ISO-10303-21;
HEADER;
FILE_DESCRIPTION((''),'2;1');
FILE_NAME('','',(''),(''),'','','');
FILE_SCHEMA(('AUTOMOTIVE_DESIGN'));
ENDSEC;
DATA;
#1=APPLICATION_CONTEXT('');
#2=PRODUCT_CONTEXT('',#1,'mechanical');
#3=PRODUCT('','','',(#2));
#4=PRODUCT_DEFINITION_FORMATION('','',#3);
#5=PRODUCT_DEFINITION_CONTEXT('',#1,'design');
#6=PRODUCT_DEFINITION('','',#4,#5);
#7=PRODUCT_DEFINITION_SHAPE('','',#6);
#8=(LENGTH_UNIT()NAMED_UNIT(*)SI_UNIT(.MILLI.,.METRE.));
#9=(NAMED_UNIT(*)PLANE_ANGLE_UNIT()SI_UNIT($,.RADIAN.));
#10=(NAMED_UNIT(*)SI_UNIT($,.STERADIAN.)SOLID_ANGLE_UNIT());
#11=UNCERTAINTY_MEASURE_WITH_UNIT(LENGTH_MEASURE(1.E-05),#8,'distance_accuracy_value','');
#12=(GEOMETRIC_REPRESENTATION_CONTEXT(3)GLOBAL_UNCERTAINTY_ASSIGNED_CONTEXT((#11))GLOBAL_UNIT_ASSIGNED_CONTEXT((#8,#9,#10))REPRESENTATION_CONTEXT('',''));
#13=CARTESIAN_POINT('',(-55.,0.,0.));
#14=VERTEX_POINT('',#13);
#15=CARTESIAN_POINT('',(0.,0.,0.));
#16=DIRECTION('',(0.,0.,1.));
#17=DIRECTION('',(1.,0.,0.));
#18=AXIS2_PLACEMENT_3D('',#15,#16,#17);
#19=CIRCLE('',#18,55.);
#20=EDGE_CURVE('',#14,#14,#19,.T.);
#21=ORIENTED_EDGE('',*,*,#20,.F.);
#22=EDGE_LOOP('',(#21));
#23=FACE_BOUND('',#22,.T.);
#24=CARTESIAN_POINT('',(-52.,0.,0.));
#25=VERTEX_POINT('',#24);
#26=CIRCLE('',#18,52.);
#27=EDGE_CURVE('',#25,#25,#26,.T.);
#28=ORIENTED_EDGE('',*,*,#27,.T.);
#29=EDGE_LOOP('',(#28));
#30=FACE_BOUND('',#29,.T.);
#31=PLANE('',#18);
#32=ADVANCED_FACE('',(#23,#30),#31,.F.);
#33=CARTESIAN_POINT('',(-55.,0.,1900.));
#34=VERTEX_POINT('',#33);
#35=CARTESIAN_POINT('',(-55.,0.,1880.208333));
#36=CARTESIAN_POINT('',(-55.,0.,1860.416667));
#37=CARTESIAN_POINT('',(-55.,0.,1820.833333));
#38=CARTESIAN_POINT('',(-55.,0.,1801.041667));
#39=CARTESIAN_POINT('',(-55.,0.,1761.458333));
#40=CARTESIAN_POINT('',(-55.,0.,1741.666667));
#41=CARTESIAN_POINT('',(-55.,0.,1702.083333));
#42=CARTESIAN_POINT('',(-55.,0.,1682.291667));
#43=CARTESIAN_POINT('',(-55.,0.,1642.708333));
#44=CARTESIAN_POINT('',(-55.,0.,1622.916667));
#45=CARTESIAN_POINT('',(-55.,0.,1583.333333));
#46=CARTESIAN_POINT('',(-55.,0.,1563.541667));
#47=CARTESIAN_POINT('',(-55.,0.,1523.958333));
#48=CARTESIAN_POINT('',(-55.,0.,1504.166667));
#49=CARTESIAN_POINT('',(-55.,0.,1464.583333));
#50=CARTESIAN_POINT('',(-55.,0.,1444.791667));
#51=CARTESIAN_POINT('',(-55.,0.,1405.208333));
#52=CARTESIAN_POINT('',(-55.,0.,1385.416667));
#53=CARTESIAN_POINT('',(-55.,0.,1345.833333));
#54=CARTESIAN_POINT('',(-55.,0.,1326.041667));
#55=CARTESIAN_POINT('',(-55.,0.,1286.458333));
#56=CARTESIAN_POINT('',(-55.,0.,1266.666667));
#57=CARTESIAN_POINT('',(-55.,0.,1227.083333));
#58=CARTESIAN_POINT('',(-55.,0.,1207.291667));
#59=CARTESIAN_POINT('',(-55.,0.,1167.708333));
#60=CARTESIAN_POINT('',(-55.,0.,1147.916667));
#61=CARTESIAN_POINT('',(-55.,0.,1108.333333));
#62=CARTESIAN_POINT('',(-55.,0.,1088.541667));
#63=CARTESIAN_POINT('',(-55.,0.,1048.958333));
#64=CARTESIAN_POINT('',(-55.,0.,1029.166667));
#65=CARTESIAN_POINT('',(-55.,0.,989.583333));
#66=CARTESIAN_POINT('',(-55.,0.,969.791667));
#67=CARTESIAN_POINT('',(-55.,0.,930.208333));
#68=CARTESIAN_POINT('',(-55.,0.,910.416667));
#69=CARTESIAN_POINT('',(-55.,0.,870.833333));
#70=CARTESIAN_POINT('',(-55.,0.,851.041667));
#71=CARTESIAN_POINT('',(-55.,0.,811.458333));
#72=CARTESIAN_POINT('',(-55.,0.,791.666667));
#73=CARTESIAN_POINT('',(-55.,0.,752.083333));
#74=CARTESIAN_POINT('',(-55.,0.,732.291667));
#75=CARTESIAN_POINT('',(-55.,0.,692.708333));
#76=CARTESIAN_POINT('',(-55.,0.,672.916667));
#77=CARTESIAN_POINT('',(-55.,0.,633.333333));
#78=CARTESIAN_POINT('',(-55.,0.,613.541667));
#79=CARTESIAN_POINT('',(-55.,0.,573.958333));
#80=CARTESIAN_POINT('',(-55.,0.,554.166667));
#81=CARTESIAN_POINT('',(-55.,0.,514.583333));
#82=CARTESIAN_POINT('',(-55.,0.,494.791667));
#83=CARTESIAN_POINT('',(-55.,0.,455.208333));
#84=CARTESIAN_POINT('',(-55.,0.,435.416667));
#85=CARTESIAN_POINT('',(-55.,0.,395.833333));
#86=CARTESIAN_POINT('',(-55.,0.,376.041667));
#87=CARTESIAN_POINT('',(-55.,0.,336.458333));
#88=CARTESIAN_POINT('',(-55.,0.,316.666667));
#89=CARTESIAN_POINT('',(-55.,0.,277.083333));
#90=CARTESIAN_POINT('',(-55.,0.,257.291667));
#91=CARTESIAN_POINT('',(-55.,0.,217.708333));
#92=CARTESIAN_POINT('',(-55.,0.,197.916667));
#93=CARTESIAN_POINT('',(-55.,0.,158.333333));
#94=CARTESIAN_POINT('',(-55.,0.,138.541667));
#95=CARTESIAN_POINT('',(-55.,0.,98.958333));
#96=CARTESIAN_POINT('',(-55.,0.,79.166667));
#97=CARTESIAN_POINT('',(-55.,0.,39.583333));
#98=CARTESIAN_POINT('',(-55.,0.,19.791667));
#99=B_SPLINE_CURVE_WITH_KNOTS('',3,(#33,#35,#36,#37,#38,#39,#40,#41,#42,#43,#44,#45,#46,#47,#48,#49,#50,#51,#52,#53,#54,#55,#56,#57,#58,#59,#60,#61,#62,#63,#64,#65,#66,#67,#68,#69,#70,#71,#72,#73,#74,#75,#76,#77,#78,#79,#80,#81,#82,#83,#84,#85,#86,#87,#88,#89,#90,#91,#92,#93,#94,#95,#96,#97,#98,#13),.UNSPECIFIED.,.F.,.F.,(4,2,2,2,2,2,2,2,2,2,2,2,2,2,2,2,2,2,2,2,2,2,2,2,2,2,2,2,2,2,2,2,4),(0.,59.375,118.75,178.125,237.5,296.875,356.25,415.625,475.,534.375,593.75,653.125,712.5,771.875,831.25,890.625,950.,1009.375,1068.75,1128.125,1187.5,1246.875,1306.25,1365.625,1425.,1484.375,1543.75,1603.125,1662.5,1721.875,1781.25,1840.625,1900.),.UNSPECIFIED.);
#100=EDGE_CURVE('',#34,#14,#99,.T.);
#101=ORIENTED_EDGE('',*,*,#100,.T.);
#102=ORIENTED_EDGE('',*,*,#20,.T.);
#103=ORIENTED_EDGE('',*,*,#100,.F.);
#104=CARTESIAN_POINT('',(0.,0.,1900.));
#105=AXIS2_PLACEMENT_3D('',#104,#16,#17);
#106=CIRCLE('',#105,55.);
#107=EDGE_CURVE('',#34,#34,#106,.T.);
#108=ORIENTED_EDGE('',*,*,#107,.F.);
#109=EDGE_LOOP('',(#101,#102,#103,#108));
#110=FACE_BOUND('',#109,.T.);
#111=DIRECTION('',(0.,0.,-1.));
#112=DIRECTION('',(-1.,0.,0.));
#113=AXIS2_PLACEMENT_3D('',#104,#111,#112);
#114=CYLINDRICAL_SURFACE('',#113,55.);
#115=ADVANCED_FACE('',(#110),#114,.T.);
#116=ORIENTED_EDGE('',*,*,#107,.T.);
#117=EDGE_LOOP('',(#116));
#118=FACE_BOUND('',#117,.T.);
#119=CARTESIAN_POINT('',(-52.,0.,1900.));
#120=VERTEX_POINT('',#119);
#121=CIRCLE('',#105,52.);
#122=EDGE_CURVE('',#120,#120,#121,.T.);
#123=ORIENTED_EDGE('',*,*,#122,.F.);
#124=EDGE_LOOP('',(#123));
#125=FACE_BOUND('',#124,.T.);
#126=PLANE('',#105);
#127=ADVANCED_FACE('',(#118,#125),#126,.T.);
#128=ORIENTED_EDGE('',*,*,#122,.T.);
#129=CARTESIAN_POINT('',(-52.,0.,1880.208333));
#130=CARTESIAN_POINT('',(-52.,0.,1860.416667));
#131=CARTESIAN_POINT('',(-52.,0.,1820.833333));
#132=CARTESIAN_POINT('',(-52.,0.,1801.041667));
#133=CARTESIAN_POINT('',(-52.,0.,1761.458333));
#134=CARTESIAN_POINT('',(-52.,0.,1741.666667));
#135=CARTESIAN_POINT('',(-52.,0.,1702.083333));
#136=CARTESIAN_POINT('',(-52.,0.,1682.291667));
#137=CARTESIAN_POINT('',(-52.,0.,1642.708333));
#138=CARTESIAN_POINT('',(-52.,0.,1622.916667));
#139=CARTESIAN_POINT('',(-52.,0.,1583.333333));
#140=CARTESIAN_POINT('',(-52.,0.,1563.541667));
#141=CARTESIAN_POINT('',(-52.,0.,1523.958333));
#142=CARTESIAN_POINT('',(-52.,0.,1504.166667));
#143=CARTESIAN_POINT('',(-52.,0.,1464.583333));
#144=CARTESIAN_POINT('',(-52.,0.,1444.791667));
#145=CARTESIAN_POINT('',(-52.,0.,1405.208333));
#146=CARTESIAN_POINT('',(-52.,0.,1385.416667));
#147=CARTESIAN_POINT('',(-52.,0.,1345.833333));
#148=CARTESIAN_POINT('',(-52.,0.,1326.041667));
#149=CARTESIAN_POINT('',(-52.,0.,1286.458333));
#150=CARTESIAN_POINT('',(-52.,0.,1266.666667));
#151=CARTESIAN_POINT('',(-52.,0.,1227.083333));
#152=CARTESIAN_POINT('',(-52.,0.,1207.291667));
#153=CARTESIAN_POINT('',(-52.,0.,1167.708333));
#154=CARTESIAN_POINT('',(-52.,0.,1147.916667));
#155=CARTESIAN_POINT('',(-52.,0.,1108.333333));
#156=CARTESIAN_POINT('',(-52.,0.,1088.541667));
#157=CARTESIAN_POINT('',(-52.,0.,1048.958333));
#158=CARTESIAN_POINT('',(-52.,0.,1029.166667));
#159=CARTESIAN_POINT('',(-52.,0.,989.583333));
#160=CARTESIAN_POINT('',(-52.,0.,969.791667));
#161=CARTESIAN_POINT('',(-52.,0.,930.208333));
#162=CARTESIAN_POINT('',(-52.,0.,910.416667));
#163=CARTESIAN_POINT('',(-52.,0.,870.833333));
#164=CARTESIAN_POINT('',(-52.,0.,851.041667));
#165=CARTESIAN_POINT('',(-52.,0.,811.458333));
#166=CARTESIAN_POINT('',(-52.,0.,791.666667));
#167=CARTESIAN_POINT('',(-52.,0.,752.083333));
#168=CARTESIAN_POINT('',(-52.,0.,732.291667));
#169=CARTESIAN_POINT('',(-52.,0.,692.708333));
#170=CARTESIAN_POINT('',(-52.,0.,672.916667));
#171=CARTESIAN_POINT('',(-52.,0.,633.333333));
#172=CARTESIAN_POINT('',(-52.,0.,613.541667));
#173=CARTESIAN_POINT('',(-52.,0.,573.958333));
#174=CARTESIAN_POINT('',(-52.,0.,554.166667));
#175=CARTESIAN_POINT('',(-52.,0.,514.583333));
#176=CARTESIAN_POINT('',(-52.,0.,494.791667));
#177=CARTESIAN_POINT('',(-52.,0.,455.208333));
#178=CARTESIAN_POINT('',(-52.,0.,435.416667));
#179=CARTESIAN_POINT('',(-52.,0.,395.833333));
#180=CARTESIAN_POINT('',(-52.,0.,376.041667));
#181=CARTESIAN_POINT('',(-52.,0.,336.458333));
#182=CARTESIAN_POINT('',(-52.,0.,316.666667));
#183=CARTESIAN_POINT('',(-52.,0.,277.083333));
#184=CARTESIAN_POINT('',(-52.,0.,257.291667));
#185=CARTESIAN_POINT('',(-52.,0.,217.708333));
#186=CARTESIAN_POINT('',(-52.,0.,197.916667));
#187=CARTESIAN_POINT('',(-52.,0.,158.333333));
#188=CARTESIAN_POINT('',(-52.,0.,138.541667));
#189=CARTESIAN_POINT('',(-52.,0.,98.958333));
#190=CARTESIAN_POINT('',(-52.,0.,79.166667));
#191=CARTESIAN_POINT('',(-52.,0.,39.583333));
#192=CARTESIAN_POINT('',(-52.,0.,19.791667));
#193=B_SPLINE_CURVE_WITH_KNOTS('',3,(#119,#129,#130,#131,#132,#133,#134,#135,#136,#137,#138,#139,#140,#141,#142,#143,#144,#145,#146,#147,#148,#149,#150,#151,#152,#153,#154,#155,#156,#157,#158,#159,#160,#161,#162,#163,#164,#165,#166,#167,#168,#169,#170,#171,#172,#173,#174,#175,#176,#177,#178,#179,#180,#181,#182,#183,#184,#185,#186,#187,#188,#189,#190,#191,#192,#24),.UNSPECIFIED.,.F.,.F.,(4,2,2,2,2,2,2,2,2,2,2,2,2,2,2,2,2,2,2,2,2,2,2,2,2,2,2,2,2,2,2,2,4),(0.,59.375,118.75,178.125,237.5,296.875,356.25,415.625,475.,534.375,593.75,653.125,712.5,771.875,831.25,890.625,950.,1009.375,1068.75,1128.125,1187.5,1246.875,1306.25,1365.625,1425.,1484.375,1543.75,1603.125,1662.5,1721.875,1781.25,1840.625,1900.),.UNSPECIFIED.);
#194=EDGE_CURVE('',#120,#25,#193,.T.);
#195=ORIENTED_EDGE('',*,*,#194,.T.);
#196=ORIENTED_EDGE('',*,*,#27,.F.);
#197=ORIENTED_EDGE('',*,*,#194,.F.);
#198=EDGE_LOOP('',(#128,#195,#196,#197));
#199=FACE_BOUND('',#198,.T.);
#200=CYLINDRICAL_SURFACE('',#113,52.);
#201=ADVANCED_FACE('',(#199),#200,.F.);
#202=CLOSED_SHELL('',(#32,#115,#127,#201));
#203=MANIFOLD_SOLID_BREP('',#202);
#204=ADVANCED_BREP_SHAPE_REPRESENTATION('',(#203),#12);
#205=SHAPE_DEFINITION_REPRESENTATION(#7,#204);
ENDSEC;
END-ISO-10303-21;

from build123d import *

# Parameters (mm, degrees)
SKIZZE1_R                       = 55
AUFSATZ_LINEAR_AUSTRAGEN2_DEPTH = 1900
WANDUNG2_T                      = -3


with BuildPart() as part:
    # Skizze1 → Aufsatz-Linear austragen2 (new body)
    with BuildSketch(Plane.XY):
        Circle(SKIZZE1_R)
    extrude(amount=AUFSATZ_LINEAR_AUSTRAGEN2_DEPTH)

    # Wandung2
    wandung2_openings = [part.faces().sort_by_distance(p)[0] for p in [
        (0, 0, 0),
        (0, 0, 1900),
    ]]
    offset(amount=WANDUNG2_T, openings=wandung2_openings, kind=Kind.INTERSECTION)


solid = part.part
